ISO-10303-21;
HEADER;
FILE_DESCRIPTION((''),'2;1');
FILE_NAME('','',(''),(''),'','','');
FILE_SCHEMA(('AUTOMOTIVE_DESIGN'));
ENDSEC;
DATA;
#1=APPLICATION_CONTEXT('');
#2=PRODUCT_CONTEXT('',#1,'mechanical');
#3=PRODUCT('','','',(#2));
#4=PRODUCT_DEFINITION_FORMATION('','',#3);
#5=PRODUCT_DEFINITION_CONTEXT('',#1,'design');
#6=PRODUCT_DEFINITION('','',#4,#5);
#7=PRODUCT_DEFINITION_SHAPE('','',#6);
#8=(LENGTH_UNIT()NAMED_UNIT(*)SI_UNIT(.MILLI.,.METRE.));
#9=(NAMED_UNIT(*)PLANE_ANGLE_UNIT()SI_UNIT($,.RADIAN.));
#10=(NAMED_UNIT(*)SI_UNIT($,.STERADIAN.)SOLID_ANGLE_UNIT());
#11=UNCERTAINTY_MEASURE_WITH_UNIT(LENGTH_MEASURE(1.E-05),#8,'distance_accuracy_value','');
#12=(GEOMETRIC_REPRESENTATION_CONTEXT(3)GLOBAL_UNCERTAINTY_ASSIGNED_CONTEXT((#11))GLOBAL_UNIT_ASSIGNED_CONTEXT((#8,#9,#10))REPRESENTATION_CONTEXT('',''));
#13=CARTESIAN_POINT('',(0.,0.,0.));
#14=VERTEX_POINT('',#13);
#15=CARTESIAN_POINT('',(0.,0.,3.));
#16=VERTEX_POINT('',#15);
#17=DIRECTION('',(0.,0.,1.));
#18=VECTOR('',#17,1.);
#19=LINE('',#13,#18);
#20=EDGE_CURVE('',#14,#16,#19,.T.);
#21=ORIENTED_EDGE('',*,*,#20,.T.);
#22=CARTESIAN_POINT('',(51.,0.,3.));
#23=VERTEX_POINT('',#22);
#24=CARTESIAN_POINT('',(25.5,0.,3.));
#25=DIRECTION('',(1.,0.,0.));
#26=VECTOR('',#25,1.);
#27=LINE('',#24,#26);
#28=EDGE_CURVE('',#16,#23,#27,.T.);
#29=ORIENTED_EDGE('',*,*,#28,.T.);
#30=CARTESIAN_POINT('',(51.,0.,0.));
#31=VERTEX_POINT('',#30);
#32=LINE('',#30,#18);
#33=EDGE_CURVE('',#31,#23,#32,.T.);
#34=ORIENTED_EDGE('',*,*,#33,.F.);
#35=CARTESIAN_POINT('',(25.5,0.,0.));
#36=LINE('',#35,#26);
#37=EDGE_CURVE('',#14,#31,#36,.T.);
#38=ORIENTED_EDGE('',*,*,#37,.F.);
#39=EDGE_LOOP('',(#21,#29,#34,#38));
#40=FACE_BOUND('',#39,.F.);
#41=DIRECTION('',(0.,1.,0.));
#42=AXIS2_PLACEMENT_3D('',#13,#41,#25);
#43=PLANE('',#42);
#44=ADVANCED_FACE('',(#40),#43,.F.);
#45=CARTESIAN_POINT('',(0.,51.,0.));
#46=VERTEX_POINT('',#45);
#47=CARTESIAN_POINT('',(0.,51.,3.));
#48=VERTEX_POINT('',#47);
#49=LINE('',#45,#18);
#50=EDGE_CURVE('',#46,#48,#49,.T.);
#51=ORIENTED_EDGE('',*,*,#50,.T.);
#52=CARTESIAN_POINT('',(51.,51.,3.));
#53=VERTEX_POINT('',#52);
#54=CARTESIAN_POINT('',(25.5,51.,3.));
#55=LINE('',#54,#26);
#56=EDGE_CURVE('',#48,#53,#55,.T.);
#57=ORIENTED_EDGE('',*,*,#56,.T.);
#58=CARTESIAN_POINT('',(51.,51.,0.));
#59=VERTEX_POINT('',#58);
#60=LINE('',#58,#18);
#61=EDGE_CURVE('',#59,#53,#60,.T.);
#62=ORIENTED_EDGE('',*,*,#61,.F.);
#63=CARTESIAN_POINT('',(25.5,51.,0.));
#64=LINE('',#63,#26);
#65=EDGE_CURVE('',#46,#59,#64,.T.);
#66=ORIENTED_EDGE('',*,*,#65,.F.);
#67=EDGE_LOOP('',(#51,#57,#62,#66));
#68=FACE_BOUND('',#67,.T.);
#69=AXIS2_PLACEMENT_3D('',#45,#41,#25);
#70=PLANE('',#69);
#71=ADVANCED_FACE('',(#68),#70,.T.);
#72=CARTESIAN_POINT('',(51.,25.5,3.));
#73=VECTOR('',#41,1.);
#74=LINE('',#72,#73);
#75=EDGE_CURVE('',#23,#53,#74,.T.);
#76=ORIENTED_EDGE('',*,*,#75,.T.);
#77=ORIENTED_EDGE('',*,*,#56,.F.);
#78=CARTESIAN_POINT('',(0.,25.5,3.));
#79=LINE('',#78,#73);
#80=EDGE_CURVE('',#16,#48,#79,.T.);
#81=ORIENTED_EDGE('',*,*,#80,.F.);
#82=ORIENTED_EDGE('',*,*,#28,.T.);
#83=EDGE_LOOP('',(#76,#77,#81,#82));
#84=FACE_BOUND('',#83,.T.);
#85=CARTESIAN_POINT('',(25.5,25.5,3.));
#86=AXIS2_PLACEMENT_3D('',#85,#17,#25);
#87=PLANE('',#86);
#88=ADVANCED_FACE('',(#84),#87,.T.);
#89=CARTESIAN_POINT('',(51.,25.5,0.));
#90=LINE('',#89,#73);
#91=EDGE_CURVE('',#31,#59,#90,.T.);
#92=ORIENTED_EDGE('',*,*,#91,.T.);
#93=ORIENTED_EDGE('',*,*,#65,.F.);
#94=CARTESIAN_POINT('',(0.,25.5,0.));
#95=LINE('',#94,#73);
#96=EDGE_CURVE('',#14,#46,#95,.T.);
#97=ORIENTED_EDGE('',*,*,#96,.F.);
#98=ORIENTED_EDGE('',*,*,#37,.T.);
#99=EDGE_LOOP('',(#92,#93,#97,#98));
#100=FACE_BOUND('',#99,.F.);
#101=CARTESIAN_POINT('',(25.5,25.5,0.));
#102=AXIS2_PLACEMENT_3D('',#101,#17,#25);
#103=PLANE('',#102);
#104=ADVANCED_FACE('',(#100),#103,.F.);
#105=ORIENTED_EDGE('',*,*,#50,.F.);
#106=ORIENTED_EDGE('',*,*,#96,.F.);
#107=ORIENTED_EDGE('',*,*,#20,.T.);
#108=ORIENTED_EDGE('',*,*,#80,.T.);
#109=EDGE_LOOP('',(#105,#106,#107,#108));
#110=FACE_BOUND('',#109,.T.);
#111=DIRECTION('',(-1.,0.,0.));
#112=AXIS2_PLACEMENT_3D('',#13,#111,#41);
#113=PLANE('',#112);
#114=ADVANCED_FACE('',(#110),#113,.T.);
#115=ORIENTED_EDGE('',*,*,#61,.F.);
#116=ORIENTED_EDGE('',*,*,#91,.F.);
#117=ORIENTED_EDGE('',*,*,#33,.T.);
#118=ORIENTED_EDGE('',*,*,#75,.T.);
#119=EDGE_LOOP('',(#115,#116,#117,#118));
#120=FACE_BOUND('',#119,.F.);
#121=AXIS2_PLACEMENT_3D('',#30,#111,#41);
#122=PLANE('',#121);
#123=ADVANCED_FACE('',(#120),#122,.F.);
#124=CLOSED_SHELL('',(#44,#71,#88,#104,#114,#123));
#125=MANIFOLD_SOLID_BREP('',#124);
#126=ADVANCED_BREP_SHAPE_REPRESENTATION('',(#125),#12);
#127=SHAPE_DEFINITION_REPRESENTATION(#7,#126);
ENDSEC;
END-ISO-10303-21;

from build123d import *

# Parameters (mm, degrees)
SKETCH_W  = 51
SKETCH_H  = 51
PAD_DEPTH = 3


with BuildPart() as part:
    # Sketch → Pad (new body)
    with BuildSketch(Plane.XY):
        with Locations((25.5, 25.5)):
            Rectangle(SKETCH_W, SKETCH_H)
    extrude(amount=PAD_DEPTH)


solid = part.part
